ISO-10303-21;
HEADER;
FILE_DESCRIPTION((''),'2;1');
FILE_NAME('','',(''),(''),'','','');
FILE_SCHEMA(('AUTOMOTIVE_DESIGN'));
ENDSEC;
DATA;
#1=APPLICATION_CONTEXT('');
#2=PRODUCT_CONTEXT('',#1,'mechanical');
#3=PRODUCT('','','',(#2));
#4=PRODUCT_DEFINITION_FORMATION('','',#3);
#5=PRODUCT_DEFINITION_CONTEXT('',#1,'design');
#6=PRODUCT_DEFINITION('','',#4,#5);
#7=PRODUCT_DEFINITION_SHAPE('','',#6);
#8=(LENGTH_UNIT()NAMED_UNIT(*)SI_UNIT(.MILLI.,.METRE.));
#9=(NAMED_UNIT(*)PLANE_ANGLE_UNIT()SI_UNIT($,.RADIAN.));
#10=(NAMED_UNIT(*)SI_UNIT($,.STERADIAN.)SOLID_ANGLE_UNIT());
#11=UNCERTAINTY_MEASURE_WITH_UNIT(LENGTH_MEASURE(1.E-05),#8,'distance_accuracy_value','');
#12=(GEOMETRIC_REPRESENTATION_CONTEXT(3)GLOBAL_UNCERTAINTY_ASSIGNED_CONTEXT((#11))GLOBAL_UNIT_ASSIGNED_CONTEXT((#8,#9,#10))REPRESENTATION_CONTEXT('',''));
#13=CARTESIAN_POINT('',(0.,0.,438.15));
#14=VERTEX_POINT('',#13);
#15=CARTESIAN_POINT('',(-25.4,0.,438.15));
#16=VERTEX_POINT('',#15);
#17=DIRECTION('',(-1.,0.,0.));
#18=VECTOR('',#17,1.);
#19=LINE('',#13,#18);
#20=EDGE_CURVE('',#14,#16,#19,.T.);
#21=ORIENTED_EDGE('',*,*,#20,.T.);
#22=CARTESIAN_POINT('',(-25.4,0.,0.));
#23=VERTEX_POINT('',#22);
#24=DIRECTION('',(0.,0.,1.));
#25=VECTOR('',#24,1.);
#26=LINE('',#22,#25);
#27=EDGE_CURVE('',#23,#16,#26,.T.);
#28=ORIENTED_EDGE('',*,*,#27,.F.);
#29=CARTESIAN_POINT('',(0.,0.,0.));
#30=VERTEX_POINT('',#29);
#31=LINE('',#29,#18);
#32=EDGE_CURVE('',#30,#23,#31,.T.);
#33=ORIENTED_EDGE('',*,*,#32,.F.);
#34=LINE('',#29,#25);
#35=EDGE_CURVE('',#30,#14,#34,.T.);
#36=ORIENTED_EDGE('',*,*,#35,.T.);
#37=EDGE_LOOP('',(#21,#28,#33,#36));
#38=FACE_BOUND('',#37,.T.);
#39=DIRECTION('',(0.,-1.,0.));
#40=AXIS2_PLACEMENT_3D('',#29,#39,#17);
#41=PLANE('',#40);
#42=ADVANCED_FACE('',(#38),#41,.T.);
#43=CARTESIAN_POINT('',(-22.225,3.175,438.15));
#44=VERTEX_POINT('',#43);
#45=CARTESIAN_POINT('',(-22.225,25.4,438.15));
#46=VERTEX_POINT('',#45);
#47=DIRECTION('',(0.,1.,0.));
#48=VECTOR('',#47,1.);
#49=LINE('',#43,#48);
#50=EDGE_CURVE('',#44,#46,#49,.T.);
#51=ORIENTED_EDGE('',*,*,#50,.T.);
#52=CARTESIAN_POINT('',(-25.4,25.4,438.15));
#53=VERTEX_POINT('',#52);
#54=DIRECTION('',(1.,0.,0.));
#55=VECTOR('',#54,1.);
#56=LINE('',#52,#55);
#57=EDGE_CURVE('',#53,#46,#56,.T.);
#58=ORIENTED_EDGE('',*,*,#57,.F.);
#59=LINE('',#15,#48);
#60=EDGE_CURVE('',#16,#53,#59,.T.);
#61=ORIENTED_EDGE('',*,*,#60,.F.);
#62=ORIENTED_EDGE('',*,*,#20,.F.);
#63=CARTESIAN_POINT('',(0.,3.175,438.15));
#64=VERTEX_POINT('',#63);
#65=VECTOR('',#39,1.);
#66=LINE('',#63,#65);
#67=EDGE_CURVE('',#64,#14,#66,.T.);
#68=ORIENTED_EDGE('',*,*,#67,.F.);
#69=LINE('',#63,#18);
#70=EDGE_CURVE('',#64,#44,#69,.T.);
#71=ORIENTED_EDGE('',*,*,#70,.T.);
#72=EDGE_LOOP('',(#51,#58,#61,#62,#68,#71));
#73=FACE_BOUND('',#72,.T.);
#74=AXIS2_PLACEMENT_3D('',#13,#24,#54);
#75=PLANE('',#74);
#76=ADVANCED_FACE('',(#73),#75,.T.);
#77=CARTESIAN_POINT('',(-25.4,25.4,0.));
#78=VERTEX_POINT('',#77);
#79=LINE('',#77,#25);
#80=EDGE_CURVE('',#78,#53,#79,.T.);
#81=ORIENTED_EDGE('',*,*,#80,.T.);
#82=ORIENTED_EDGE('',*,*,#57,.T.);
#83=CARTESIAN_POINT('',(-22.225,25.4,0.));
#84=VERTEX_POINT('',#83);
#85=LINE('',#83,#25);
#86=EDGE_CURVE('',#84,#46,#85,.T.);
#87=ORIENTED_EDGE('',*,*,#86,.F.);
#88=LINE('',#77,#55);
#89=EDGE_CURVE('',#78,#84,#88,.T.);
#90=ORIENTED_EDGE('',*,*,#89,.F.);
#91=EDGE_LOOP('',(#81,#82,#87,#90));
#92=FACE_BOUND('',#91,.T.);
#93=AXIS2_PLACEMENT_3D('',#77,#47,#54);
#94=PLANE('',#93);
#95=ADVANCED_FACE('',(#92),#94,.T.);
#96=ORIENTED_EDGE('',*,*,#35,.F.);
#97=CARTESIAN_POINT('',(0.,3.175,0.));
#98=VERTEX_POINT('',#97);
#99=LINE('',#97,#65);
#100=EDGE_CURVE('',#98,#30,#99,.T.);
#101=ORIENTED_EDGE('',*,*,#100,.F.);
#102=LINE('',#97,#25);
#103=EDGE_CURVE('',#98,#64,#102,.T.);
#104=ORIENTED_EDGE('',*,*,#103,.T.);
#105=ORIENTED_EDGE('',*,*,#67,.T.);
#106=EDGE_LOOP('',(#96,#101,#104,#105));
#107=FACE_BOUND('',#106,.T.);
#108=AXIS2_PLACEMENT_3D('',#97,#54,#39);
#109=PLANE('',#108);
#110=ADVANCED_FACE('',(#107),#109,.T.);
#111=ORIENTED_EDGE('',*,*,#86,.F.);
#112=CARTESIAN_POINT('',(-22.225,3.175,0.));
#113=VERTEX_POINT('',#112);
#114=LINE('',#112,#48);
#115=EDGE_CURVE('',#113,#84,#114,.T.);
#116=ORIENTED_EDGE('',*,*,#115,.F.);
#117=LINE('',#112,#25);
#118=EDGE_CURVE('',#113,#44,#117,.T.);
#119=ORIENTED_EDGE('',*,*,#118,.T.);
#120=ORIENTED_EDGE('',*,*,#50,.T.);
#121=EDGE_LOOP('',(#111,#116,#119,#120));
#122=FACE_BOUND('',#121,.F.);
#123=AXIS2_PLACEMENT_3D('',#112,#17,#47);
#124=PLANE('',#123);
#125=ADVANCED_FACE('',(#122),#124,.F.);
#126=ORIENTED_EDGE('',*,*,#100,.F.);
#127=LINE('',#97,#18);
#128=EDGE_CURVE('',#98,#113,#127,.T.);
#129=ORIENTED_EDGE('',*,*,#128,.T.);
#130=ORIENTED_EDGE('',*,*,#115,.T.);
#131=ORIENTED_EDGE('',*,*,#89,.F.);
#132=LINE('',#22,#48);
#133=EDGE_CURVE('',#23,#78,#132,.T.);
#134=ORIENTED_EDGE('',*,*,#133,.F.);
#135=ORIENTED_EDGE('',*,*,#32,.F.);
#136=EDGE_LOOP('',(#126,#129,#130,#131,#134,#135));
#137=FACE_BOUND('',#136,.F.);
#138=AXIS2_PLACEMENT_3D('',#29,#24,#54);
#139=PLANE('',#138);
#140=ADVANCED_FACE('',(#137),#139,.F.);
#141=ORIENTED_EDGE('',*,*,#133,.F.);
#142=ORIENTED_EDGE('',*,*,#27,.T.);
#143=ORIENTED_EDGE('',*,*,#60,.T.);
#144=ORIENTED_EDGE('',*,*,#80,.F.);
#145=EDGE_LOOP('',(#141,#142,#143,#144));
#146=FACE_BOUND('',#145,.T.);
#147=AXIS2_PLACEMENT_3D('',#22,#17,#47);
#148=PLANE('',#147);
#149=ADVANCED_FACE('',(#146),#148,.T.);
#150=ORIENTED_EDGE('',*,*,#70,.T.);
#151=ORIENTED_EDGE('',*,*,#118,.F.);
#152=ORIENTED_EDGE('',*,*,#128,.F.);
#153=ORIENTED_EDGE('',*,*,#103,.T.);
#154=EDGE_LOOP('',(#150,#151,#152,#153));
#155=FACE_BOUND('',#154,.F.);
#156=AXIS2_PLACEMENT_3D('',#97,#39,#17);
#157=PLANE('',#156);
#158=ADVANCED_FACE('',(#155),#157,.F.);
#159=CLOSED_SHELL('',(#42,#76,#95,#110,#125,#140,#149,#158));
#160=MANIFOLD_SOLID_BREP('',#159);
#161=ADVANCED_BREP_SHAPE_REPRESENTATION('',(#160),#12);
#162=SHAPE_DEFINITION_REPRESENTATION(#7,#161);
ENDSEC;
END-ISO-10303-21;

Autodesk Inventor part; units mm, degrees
ref_plane "YZ Plane" through (0, 0, 0) normal (1, 0, 0) x (0, 1, 0)
ref_plane "XZ Plane" through (0, 0, 0) normal (0, 1, 0) x (-1, 0, 0)
ref_plane "XY Plane" through (0, 0, 0) normal (0, 0, 1) x (1, 0, 0)
sketch "Sketch1" plane through (0, 0, 0) normal (0, 0, 1) x (1, 0, 0)
  line L0 (0, 0) -> (-25.4, 0)
  line L1 (-25.4, 0) -> (-25.4, 25.4)
  line L2 (0, 3.175) -> (-22.225, 3.175)
  line L3 (-22.225, 3.175) -> (-22.225, 25.4)
  line L4 (0, 3.175) -> (0, 0)
  line L5 (-25.4, 25.4) -> (-22.225, 25.4)
  dimension "d0" = 25.4
  dimension "d1" = 25.4
  dimension "d2" = 3.175
extrude "Extrusion1" add sketch "Sketch1" along normal blind 438.15
properties part number "17.25 L"
